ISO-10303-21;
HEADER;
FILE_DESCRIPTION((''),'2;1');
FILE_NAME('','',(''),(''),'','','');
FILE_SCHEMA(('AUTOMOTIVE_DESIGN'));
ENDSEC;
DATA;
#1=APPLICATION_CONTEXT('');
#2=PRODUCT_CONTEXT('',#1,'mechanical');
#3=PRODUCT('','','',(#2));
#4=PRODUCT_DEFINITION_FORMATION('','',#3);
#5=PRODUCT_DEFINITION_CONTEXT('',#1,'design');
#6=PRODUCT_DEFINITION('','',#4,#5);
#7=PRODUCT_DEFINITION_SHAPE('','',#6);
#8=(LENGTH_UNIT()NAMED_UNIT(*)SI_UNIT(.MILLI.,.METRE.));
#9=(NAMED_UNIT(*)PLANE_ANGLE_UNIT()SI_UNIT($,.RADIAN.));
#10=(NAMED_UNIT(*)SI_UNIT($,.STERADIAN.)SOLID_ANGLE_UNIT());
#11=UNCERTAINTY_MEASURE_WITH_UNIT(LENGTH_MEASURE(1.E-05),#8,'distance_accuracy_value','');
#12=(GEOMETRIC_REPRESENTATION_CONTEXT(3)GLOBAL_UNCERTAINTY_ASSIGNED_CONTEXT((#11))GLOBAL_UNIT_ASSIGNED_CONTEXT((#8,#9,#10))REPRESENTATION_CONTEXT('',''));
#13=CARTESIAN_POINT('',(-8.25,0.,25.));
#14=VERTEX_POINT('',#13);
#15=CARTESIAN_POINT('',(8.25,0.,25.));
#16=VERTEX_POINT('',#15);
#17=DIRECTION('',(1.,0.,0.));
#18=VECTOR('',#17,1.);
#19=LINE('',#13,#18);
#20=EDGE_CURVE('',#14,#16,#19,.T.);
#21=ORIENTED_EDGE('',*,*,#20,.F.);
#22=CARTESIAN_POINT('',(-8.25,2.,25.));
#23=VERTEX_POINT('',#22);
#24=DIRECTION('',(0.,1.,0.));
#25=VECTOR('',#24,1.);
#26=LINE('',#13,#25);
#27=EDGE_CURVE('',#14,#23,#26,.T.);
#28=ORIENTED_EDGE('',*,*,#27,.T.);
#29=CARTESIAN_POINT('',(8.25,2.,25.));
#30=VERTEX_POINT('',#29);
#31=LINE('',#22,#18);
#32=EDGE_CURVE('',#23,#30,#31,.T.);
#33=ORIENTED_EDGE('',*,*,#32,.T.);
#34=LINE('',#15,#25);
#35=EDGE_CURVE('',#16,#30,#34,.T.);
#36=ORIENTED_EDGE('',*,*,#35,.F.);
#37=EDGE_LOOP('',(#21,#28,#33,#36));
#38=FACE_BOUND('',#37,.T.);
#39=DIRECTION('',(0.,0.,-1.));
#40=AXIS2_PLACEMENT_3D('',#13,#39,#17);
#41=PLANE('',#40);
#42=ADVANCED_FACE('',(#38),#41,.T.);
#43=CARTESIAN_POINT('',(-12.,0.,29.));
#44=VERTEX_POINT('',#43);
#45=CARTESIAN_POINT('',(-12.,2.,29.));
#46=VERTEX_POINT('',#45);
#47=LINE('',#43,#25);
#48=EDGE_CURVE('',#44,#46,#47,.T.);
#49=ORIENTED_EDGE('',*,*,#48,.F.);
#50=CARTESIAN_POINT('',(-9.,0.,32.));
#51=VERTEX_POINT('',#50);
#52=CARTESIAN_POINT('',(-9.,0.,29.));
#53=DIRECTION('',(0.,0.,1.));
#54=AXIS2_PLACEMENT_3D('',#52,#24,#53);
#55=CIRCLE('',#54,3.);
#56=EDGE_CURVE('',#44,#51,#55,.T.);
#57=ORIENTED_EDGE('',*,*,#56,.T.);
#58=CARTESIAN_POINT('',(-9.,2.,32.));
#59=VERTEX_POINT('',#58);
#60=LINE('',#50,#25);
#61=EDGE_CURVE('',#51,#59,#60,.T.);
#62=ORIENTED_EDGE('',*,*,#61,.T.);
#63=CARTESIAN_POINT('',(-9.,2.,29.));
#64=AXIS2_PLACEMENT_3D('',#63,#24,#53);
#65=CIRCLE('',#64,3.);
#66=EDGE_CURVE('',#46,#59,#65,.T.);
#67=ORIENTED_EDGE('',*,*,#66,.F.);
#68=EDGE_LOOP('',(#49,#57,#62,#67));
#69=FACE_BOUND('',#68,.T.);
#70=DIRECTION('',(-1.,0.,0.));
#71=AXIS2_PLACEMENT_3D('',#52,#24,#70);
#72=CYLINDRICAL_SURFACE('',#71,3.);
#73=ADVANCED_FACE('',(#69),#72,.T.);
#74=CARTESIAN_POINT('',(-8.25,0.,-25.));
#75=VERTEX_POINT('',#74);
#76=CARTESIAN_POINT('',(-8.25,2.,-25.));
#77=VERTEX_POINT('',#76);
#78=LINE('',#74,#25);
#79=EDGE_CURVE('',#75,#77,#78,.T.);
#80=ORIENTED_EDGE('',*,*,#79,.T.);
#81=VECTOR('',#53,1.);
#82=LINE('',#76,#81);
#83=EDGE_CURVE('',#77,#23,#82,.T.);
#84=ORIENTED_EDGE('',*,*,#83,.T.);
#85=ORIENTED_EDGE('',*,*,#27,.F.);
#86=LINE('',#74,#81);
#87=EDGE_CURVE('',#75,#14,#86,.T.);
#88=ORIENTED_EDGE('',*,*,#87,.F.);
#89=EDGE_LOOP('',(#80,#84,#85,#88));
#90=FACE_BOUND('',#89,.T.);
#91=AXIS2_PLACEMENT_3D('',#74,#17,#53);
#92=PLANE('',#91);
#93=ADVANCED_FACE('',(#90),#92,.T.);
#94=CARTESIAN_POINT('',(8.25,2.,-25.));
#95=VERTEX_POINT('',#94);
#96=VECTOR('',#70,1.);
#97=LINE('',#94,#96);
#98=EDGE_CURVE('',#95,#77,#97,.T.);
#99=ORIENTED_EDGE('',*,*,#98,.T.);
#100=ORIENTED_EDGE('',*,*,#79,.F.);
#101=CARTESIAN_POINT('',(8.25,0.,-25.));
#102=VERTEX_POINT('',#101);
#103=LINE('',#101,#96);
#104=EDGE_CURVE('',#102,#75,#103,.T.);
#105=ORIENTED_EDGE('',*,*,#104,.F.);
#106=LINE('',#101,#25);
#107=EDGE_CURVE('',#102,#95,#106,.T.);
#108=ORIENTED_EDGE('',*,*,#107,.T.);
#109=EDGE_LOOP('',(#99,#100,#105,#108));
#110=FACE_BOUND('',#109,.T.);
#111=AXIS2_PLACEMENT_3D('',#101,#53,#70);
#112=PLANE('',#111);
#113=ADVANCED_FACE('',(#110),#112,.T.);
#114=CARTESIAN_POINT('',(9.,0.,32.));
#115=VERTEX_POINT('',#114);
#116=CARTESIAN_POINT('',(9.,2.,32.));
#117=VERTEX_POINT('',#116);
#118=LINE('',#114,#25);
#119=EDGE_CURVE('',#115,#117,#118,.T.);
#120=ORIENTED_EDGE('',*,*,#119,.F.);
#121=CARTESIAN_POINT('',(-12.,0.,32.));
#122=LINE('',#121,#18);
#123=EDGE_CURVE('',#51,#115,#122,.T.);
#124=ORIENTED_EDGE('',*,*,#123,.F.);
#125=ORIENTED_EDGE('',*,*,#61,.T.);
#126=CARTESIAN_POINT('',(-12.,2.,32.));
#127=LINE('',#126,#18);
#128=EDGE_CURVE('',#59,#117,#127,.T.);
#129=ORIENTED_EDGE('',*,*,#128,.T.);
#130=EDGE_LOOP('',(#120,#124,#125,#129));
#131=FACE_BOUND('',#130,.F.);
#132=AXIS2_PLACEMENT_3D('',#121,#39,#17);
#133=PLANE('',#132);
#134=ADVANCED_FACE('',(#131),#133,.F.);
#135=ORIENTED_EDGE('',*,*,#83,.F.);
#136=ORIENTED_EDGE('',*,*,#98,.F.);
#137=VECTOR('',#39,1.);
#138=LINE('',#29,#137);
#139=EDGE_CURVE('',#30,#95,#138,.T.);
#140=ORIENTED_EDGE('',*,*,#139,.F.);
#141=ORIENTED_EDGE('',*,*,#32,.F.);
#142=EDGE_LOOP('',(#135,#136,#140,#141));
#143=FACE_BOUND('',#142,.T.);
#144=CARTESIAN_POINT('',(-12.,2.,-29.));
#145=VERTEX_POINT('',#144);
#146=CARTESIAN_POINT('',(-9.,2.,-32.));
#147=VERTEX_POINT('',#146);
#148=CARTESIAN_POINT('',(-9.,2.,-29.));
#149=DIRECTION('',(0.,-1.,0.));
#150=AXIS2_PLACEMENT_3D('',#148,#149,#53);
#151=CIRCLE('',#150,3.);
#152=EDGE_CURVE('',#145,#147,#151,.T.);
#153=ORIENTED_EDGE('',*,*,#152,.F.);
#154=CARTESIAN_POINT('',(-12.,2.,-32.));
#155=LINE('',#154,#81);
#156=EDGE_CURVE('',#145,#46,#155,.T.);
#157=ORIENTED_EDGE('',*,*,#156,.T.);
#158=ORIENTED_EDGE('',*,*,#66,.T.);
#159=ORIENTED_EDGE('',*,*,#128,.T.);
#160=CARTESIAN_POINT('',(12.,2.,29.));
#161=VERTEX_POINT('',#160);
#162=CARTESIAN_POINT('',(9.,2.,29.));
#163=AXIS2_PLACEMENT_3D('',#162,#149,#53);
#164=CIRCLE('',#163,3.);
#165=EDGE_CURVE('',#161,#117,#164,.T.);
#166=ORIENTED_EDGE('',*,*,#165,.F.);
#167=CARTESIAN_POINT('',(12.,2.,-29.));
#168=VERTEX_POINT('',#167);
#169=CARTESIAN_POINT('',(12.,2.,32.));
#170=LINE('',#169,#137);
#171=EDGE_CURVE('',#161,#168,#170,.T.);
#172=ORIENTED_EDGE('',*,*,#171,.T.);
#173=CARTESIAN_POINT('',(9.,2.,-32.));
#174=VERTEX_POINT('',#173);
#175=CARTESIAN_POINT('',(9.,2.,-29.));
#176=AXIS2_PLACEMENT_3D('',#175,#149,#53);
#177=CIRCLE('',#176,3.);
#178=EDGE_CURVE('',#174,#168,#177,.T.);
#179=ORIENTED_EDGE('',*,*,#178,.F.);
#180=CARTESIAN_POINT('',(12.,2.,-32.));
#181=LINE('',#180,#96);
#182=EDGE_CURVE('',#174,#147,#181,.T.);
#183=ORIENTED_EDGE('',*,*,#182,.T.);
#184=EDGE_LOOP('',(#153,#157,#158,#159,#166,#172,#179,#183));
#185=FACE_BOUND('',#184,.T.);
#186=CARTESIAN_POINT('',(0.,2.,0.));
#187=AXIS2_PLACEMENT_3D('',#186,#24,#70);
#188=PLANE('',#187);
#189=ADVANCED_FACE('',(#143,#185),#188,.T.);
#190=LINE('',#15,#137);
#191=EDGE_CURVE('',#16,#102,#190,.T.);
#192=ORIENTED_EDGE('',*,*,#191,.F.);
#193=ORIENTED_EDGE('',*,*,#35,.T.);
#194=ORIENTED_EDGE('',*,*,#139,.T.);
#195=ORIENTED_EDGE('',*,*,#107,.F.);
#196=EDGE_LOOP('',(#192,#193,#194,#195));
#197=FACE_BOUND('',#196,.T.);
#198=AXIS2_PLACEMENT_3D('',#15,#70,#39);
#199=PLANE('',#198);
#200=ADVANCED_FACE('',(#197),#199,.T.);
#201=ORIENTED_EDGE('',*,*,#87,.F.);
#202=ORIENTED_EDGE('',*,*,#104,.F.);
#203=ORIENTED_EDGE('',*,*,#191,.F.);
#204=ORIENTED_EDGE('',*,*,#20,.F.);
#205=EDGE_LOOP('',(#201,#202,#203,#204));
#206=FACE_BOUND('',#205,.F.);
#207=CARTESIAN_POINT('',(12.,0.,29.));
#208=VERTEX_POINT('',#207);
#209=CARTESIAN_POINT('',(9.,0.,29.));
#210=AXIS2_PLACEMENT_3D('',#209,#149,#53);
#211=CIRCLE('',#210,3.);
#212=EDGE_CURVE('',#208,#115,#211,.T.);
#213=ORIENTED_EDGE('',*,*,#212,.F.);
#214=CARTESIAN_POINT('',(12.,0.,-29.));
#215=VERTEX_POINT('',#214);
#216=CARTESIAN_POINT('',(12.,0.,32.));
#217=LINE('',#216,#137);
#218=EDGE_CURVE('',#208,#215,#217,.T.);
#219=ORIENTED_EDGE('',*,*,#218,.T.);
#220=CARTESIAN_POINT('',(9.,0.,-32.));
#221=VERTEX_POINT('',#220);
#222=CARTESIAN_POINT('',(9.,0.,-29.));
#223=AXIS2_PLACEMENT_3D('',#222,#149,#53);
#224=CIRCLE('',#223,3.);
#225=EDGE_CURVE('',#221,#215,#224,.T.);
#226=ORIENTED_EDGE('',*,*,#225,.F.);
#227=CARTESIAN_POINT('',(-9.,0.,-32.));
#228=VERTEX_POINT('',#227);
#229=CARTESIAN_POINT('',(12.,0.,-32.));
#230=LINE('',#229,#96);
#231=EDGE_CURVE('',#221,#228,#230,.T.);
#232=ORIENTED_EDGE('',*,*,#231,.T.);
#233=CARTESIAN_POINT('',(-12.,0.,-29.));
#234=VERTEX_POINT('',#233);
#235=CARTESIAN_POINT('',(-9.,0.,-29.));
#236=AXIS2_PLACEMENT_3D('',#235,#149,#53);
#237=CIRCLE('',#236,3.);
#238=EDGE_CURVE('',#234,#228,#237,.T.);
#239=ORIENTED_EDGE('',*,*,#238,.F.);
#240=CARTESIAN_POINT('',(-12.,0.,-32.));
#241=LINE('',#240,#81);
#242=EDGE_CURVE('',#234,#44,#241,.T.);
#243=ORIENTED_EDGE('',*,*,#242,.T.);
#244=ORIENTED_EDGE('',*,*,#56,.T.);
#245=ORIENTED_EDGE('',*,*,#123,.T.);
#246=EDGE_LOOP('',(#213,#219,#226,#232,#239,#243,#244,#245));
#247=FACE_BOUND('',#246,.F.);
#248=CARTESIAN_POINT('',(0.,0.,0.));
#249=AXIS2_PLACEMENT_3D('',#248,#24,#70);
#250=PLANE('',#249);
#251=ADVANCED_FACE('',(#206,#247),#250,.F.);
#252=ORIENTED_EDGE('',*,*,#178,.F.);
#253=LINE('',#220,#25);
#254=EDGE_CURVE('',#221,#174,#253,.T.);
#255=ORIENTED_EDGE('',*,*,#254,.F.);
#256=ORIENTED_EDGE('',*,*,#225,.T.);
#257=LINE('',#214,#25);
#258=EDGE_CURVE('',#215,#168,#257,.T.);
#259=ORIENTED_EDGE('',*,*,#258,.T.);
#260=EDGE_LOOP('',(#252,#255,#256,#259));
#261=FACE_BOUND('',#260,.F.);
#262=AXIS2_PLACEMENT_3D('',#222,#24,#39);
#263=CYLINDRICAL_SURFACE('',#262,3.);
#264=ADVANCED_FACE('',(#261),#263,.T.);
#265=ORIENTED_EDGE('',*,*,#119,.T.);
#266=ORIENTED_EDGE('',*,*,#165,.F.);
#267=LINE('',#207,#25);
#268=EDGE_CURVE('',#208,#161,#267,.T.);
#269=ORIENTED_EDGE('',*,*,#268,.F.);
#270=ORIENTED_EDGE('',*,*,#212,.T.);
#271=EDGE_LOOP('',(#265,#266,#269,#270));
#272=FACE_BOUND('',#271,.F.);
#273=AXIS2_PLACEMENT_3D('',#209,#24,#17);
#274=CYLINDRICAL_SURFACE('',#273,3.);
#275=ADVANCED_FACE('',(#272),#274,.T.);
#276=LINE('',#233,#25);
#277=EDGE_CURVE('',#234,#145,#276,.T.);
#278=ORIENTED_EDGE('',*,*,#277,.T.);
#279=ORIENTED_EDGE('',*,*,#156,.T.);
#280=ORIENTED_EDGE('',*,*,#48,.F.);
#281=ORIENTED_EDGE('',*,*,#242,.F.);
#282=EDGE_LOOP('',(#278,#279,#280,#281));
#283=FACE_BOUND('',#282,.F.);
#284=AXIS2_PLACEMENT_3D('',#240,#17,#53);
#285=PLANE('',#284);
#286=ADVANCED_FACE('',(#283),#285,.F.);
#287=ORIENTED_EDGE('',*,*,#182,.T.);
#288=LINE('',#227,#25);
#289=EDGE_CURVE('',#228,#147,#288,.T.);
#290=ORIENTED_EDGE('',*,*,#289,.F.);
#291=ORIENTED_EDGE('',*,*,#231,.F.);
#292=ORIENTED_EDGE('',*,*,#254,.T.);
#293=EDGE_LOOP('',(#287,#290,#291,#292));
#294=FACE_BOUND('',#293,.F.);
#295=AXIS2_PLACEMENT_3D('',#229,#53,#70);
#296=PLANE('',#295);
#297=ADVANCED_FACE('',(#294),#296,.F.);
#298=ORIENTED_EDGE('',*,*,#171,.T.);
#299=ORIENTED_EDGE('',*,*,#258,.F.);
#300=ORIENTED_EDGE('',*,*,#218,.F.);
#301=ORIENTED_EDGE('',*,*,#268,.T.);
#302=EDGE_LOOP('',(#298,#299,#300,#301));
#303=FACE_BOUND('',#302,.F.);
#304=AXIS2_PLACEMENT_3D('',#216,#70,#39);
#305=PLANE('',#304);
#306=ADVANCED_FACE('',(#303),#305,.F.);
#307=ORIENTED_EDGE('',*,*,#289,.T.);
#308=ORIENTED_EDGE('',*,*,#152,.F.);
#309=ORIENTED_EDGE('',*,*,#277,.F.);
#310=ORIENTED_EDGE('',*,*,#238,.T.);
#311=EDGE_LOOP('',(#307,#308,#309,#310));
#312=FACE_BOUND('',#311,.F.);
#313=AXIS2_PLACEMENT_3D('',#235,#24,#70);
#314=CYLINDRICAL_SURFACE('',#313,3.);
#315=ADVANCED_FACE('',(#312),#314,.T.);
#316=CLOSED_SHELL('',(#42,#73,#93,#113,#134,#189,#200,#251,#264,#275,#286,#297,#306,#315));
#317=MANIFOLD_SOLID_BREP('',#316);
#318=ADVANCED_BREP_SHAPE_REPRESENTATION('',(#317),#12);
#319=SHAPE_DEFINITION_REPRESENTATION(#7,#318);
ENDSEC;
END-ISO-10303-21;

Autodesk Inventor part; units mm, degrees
ref_plane "YZ Plane" through (0, 0, 0) normal (1, 0, 0) x (0, 1, 0)
ref_plane "XZ Plane" through (0, 0, 0) normal (0, 1, 0) x (-1, 0, 0)
ref_plane "XY Plane" through (0, 0, 0) normal (0, 0, 1) x (1, 0, 0)
sketch "スケッチ1" plane through (0, 0, 0) normal (0, 1, 0) x (-1, 0, 0)
  line L0 (12, 32) -> (-12, 32)
  line L1 (-12, 32) -> (-12, -32)
  line L2 (-12, -32) -> (12, -32)
  line L3 (12, -32) -> (12, 32)
  line L4 (12, 32) -> (-12, -32) construction
  line L5 (-12, 32) -> (12, -32) construction
  line L6 (8.25, 25) -> (-8.25, 25)
  line L7 (-8.25, 25) -> (-8.25, -25)
  line L8 (-8.25, -25) -> (8.25, -25)
  line L9 (8.25, -25) -> (8.25, 25)
  line L10 (8.25, 25) -> (-8.25, -25) construction
  line L11 (-8.25, 25) -> (8.25, -25) construction
  point P0 (0, 0)
  dimension "d0" = 24
  dimension "d1" = 64
  dimension "d2" = 16.5
  dimension "d3" = 50
extrude "押し出し1" add sketch "スケッチ1" along normal blind 2
sketch "スケッチ2" plane through (0, 2, 0) normal (0, 1, 0) x (1, 0, 0)
  point P0 (0, 0)
fillet "フィレット1" radius 3 4 edges at (-12, 1, 32) (12, 1, 32) (12, 1, -32) (-12, 1, -32)
properties part number "bottom"
